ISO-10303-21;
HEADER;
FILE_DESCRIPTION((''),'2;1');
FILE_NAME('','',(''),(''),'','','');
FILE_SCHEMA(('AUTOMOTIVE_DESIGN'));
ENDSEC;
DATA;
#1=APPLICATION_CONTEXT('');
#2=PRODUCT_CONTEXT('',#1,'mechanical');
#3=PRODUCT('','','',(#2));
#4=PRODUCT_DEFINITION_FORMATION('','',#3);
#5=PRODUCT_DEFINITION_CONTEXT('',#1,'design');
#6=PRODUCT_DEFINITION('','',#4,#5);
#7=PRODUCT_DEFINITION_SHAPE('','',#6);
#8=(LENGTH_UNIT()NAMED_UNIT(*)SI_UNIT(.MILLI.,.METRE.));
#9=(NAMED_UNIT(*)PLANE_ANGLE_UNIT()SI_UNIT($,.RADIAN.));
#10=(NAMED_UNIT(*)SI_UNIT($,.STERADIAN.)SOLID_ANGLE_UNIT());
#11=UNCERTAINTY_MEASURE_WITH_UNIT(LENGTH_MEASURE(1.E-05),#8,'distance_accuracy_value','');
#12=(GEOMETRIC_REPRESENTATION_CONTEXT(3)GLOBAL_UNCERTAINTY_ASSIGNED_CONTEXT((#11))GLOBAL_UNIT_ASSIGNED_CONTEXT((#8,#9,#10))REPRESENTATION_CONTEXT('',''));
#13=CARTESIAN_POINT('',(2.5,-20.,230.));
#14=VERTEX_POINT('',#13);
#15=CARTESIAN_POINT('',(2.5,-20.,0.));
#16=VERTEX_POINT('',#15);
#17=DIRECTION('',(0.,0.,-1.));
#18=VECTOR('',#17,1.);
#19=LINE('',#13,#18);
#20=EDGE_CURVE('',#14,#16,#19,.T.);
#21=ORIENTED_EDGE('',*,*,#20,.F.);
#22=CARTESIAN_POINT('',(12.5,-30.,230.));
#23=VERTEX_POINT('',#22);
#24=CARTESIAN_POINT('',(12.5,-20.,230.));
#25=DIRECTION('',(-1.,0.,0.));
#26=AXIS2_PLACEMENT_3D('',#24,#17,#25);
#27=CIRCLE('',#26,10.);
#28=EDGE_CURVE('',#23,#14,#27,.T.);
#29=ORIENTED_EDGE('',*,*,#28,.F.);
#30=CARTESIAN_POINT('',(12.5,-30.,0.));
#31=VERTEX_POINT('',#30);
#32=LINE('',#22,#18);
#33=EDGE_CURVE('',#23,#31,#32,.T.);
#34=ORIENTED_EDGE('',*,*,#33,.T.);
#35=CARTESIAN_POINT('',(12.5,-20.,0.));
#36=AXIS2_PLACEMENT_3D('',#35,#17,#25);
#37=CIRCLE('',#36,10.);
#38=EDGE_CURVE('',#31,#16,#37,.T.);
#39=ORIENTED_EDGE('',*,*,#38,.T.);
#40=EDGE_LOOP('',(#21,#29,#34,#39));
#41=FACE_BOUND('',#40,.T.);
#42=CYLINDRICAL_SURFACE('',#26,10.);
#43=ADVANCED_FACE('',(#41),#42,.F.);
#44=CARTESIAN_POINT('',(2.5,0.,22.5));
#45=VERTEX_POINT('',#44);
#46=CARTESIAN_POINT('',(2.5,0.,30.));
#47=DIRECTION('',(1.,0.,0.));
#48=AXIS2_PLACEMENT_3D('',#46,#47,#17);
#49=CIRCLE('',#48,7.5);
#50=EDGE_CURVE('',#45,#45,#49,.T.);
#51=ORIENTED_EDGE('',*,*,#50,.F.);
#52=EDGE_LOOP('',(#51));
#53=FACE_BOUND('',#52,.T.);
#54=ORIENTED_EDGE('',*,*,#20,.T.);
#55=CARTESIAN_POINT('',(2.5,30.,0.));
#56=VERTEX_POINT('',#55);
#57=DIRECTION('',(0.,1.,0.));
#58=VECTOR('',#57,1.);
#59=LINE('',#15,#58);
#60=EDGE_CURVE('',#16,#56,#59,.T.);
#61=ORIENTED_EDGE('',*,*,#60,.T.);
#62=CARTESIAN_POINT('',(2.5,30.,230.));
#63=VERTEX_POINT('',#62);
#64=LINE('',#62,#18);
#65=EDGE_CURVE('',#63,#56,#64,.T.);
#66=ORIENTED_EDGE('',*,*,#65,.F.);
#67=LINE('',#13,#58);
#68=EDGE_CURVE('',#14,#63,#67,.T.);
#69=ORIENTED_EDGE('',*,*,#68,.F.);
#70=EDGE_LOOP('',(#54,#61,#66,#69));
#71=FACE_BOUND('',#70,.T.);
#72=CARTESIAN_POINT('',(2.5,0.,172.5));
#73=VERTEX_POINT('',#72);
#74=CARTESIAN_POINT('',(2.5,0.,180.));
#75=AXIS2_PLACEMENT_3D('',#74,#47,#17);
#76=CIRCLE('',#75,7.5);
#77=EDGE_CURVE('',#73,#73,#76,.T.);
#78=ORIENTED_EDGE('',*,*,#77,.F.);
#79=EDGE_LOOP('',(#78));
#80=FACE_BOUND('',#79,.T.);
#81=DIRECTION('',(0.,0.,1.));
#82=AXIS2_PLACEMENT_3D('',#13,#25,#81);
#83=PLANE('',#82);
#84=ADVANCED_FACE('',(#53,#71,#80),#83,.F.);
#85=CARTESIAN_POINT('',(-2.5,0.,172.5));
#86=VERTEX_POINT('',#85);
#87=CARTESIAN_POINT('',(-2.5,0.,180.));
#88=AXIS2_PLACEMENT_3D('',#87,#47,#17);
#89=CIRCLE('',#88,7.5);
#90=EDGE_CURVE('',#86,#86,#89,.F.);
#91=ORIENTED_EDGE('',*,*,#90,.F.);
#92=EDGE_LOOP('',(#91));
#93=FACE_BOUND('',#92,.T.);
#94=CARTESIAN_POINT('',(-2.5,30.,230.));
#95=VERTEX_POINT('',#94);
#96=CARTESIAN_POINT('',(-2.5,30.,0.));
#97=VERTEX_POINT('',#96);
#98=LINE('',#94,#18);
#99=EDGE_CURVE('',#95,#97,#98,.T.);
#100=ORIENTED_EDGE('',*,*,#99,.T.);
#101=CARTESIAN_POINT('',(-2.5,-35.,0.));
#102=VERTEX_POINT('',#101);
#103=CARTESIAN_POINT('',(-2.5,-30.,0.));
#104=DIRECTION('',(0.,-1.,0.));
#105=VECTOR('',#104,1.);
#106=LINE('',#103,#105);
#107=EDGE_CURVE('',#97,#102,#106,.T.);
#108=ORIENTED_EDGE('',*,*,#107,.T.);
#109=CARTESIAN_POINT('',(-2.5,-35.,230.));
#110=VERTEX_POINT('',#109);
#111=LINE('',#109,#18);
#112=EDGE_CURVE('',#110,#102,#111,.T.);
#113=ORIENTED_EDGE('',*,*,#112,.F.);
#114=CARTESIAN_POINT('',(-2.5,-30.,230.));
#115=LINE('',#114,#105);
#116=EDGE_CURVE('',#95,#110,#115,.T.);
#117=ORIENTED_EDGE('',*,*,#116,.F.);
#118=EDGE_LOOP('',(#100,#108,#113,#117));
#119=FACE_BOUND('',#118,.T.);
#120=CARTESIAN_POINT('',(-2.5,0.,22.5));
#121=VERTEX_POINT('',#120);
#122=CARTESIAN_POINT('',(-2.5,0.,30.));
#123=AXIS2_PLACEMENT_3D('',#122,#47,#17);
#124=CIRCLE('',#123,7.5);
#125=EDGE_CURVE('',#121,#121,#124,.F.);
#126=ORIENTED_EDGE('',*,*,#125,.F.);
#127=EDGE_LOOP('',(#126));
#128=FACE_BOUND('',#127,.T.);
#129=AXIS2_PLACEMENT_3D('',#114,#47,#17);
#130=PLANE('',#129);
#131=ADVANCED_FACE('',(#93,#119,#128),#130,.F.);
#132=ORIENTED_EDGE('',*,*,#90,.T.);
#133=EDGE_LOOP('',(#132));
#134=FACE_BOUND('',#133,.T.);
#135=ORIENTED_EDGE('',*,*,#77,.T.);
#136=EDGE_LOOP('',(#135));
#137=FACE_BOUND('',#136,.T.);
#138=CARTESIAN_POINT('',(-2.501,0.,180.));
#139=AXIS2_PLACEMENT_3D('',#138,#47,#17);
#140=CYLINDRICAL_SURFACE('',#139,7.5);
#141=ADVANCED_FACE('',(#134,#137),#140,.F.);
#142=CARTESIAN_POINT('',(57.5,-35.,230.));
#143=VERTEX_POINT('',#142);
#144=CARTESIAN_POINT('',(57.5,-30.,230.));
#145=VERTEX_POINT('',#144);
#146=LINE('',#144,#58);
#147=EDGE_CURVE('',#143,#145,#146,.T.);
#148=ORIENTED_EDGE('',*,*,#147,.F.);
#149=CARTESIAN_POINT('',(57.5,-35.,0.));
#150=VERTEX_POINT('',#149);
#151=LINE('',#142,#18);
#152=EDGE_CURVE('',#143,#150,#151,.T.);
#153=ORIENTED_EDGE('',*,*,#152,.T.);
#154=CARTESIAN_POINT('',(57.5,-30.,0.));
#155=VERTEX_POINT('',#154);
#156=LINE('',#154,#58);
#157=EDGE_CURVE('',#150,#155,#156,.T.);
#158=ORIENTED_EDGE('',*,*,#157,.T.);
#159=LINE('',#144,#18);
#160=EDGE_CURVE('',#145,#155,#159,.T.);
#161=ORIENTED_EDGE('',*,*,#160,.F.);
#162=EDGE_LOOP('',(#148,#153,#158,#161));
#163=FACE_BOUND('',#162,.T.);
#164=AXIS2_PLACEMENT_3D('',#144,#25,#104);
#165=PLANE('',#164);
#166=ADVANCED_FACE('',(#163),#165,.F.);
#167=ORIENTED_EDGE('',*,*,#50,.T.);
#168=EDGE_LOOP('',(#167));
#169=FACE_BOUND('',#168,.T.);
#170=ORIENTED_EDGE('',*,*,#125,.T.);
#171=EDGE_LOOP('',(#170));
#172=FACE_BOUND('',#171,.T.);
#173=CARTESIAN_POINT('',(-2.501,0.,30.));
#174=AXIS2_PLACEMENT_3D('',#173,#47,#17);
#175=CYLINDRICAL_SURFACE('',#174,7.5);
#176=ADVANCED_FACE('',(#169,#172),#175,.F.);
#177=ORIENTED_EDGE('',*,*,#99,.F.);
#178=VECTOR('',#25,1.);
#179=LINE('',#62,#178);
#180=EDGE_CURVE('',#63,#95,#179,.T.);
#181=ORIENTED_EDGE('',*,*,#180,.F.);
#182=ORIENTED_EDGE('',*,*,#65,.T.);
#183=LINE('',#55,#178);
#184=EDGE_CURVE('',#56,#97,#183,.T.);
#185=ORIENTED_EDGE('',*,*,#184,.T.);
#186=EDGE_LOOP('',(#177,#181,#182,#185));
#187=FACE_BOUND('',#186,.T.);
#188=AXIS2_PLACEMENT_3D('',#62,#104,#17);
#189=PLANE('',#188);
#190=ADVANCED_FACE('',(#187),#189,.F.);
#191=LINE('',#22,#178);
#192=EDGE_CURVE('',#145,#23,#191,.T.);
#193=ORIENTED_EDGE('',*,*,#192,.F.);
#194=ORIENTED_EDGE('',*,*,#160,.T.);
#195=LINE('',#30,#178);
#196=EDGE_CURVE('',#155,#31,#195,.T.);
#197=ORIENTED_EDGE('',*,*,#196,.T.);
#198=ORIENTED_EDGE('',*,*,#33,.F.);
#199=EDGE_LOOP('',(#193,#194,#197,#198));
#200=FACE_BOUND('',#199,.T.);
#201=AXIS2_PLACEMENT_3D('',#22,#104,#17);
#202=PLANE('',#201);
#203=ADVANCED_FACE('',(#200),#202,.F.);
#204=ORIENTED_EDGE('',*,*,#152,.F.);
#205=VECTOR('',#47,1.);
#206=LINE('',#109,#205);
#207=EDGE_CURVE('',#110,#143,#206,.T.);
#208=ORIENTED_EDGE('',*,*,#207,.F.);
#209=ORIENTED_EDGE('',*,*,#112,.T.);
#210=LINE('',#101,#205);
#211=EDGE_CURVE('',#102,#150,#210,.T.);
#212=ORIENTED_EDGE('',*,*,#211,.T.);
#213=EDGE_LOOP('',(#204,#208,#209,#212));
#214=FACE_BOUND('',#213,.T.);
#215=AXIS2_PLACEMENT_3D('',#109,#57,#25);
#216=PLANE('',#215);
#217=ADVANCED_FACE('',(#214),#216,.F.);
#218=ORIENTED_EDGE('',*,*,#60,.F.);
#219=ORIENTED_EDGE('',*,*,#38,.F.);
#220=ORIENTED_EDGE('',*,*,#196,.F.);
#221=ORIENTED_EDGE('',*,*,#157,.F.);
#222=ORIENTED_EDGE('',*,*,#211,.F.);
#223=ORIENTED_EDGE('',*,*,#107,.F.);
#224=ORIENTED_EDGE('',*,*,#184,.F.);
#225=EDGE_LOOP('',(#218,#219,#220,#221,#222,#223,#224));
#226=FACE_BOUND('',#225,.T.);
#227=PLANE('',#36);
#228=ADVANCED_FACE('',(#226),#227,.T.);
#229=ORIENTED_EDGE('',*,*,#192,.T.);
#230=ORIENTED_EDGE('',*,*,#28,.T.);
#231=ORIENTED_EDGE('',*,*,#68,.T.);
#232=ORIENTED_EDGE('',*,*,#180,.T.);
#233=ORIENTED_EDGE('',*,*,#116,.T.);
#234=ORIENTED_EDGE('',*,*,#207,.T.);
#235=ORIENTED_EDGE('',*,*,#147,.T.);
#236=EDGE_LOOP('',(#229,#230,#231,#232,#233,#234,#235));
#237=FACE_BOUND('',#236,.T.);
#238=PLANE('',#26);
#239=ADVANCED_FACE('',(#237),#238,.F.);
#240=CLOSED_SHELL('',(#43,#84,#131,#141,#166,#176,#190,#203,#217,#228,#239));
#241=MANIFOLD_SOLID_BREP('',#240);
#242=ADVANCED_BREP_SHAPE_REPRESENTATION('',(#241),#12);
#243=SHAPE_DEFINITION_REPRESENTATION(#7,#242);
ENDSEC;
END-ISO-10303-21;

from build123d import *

# Parameters (mm, degrees)
BOSS_EXTRUDE1_DEPTH = 230
CUT_EXTRUDE1_REACH  = 241.061
SKETCH2_R           = 7.5


with BuildPart() as part:
    # Sketch1 → Boss-Extrude1 (new body)
    with BuildSketch(Plane.XY):
        with BuildLine():
            Line((2.5, -20), (2.5, 30))
            Line((2.5, 30), (-2.5, 30))
            Line((-2.5, 30), (-2.5, -30))
            Line((-2.5, -30), (-2.5, -35))
            Line((-2.5, -35), (57.5, -35))
            Line((57.5, -35), (57.5, -30))
            Line((57.5, -30), (12.5, -30))
            ThreePointArc((12.5, -30), (5.428932188, -27.071067812), (2.5, -20))
        make_face()
    extrude(amount=BOSS_EXTRUDE1_DEPTH)

    # Sketch2 → Cut-Extrude1 (cut, up to next)
    with BuildSketch(Plane(origin=(2.5, 0, 0), x_dir=(0, 0, -1), z_dir=(1, 0, 0)), mode=Mode.PRIVATE) as cut_extrude1_sk1:
        with Locations((-30, 0)):
            Circle(SKETCH2_R)
    cut_extrude1_tool1 = extrude(cut_extrude1_sk1.sketch, amount=-CUT_EXTRUDE1_REACH, mode=Mode.PRIVATE) & part.part
    # Sketch2 → Cut-Extrude1 (cut, up to next)
    with BuildSketch(Plane(origin=(2.5, 0, 0), x_dir=(0, 0, -1), z_dir=(1, 0, 0)), mode=Mode.PRIVATE) as cut_extrude1_sk2:
        with Locations((-180, 0)):
            Circle(SKETCH2_R)
    cut_extrude1_tool2 = extrude(cut_extrude1_sk2.sketch, amount=-CUT_EXTRUDE1_REACH, mode=Mode.PRIVATE) & part.part
    add(cut_extrude1_tool1.solids().sort_by_distance((2.5, 0, 30))[0], mode=Mode.SUBTRACT)
    add(cut_extrude1_tool2.solids().sort_by_distance((2.5, 0, 180))[0], mode=Mode.SUBTRACT)


solid = part.part
